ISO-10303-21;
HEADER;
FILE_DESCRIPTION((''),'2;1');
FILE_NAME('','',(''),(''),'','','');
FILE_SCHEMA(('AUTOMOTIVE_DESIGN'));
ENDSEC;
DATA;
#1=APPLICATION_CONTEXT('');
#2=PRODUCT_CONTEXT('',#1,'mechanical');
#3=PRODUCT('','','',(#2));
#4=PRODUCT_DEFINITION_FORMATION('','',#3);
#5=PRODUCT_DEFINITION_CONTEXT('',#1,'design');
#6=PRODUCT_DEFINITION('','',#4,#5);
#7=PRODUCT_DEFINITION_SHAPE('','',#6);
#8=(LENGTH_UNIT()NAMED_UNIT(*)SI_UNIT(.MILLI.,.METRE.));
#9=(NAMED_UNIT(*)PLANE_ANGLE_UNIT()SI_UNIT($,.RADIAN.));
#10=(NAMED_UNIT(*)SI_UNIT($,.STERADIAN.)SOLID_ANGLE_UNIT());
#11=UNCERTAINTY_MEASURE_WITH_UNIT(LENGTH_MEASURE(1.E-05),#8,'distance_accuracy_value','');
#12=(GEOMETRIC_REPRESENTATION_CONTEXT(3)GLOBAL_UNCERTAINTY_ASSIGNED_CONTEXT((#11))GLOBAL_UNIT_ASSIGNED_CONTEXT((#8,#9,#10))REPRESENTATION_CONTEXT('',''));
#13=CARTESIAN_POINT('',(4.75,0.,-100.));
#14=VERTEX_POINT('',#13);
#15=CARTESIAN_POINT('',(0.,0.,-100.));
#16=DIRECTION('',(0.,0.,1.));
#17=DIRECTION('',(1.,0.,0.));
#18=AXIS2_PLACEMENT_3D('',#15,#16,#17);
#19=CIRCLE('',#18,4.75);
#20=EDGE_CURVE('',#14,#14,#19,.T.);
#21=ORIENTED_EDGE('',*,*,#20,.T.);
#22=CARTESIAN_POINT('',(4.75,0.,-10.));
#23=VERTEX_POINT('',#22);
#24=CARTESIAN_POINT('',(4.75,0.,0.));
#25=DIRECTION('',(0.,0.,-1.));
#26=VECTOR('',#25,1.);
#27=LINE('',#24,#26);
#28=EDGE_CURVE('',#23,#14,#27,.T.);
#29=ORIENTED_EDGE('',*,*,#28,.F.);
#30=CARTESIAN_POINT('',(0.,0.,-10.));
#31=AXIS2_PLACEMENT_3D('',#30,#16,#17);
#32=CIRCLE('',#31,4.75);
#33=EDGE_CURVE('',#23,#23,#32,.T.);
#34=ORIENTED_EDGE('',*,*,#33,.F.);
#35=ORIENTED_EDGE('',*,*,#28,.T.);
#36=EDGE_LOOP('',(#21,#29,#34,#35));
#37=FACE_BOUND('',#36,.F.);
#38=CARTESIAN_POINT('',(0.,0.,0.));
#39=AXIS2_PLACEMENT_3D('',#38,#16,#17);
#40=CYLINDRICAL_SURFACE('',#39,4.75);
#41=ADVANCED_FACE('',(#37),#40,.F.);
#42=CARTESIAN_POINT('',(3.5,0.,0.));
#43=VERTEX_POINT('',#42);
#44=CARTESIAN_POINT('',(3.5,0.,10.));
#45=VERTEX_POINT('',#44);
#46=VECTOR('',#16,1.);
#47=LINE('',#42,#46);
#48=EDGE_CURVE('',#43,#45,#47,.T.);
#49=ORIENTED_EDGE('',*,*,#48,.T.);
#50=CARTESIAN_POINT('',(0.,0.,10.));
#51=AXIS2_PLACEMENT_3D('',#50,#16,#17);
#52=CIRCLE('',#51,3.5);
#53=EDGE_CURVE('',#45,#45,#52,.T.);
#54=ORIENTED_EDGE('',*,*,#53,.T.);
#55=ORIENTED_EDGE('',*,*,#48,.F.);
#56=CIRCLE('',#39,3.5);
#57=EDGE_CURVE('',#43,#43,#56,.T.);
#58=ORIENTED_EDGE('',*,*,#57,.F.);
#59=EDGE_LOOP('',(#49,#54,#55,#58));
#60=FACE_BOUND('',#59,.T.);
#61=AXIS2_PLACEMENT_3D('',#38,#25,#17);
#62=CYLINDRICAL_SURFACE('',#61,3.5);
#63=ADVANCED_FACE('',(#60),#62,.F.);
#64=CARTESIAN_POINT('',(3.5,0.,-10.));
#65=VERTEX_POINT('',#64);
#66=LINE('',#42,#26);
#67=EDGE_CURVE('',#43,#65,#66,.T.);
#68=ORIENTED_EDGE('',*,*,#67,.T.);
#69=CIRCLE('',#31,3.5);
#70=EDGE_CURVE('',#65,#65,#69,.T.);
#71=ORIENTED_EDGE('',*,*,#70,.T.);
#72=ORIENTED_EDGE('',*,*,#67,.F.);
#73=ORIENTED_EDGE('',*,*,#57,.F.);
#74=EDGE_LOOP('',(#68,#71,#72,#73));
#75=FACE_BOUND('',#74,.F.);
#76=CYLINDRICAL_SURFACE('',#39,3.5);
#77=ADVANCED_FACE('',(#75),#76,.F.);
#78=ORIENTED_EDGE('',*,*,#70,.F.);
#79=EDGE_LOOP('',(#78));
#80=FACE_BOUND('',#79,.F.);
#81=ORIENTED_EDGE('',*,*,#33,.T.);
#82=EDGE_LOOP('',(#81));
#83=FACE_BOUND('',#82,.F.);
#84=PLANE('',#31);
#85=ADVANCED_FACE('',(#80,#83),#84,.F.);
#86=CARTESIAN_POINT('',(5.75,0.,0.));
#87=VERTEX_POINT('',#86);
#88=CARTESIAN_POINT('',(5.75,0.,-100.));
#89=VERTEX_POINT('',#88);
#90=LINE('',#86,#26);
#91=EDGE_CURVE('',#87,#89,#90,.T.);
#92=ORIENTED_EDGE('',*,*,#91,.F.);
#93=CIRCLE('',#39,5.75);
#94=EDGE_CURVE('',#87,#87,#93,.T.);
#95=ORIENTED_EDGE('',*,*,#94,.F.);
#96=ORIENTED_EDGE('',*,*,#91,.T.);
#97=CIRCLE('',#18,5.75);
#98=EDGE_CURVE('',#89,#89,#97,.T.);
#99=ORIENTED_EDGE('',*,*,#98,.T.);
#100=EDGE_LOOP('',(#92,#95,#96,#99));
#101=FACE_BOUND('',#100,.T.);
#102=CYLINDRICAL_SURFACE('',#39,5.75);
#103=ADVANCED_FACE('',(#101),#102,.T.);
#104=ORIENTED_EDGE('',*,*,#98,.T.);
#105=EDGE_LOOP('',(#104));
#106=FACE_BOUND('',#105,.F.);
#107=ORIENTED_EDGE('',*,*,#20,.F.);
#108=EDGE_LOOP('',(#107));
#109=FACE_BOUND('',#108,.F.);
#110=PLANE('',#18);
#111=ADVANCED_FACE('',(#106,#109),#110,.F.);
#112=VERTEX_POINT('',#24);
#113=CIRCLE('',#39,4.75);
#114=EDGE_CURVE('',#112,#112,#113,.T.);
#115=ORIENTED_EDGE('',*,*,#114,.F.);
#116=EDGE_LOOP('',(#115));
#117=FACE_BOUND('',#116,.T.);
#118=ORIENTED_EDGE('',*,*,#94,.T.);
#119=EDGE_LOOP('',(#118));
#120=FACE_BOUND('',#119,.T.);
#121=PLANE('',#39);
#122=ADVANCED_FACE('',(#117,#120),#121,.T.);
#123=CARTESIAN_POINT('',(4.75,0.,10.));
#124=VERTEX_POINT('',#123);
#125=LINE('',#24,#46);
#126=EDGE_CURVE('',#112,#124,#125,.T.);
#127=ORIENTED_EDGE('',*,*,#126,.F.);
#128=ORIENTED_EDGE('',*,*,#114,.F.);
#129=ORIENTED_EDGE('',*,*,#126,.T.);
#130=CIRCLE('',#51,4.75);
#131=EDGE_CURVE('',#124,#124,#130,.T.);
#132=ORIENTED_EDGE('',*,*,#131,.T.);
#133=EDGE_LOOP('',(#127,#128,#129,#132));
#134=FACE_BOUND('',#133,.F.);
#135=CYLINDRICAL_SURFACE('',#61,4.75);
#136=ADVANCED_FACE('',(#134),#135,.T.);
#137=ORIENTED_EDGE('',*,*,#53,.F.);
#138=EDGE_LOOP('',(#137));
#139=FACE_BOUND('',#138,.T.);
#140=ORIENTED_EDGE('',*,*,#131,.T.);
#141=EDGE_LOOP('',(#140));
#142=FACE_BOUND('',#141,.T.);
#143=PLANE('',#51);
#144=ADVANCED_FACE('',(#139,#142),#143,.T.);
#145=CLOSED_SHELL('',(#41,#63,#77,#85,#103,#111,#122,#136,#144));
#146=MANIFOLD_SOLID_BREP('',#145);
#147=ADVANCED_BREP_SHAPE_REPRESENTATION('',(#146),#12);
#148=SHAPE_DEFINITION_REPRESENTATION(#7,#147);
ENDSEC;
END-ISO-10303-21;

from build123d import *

# Parameters (mm, degrees)
F0_R          = 5.75
F0_R_2        = 4.75
F1_DEPTH      = 100
F2_R          = 4.75
F2_R_2        = 3.5
F3_DEPTH      = 10
F3_DEPTH_BACK = 10


with BuildPart() as f1:
    # F0 (on Top) → F1 (new body)
    with BuildSketch(Plane.XY):
        Circle(F0_R)
        Circle(F0_R_2, mode=Mode.SUBTRACT)
    extrude(amount=-F1_DEPTH)

    # F2 (on face) → F3 (join, two sides)
    with BuildSketch(Plane.XY) as f3_sk:
        Circle(F2_R)
        Circle(F2_R_2, mode=Mode.SUBTRACT)
    extrude(amount=F3_DEPTH)
    extrude(f3_sk.sketch, amount=-F3_DEPTH_BACK)


solid = f1.part
